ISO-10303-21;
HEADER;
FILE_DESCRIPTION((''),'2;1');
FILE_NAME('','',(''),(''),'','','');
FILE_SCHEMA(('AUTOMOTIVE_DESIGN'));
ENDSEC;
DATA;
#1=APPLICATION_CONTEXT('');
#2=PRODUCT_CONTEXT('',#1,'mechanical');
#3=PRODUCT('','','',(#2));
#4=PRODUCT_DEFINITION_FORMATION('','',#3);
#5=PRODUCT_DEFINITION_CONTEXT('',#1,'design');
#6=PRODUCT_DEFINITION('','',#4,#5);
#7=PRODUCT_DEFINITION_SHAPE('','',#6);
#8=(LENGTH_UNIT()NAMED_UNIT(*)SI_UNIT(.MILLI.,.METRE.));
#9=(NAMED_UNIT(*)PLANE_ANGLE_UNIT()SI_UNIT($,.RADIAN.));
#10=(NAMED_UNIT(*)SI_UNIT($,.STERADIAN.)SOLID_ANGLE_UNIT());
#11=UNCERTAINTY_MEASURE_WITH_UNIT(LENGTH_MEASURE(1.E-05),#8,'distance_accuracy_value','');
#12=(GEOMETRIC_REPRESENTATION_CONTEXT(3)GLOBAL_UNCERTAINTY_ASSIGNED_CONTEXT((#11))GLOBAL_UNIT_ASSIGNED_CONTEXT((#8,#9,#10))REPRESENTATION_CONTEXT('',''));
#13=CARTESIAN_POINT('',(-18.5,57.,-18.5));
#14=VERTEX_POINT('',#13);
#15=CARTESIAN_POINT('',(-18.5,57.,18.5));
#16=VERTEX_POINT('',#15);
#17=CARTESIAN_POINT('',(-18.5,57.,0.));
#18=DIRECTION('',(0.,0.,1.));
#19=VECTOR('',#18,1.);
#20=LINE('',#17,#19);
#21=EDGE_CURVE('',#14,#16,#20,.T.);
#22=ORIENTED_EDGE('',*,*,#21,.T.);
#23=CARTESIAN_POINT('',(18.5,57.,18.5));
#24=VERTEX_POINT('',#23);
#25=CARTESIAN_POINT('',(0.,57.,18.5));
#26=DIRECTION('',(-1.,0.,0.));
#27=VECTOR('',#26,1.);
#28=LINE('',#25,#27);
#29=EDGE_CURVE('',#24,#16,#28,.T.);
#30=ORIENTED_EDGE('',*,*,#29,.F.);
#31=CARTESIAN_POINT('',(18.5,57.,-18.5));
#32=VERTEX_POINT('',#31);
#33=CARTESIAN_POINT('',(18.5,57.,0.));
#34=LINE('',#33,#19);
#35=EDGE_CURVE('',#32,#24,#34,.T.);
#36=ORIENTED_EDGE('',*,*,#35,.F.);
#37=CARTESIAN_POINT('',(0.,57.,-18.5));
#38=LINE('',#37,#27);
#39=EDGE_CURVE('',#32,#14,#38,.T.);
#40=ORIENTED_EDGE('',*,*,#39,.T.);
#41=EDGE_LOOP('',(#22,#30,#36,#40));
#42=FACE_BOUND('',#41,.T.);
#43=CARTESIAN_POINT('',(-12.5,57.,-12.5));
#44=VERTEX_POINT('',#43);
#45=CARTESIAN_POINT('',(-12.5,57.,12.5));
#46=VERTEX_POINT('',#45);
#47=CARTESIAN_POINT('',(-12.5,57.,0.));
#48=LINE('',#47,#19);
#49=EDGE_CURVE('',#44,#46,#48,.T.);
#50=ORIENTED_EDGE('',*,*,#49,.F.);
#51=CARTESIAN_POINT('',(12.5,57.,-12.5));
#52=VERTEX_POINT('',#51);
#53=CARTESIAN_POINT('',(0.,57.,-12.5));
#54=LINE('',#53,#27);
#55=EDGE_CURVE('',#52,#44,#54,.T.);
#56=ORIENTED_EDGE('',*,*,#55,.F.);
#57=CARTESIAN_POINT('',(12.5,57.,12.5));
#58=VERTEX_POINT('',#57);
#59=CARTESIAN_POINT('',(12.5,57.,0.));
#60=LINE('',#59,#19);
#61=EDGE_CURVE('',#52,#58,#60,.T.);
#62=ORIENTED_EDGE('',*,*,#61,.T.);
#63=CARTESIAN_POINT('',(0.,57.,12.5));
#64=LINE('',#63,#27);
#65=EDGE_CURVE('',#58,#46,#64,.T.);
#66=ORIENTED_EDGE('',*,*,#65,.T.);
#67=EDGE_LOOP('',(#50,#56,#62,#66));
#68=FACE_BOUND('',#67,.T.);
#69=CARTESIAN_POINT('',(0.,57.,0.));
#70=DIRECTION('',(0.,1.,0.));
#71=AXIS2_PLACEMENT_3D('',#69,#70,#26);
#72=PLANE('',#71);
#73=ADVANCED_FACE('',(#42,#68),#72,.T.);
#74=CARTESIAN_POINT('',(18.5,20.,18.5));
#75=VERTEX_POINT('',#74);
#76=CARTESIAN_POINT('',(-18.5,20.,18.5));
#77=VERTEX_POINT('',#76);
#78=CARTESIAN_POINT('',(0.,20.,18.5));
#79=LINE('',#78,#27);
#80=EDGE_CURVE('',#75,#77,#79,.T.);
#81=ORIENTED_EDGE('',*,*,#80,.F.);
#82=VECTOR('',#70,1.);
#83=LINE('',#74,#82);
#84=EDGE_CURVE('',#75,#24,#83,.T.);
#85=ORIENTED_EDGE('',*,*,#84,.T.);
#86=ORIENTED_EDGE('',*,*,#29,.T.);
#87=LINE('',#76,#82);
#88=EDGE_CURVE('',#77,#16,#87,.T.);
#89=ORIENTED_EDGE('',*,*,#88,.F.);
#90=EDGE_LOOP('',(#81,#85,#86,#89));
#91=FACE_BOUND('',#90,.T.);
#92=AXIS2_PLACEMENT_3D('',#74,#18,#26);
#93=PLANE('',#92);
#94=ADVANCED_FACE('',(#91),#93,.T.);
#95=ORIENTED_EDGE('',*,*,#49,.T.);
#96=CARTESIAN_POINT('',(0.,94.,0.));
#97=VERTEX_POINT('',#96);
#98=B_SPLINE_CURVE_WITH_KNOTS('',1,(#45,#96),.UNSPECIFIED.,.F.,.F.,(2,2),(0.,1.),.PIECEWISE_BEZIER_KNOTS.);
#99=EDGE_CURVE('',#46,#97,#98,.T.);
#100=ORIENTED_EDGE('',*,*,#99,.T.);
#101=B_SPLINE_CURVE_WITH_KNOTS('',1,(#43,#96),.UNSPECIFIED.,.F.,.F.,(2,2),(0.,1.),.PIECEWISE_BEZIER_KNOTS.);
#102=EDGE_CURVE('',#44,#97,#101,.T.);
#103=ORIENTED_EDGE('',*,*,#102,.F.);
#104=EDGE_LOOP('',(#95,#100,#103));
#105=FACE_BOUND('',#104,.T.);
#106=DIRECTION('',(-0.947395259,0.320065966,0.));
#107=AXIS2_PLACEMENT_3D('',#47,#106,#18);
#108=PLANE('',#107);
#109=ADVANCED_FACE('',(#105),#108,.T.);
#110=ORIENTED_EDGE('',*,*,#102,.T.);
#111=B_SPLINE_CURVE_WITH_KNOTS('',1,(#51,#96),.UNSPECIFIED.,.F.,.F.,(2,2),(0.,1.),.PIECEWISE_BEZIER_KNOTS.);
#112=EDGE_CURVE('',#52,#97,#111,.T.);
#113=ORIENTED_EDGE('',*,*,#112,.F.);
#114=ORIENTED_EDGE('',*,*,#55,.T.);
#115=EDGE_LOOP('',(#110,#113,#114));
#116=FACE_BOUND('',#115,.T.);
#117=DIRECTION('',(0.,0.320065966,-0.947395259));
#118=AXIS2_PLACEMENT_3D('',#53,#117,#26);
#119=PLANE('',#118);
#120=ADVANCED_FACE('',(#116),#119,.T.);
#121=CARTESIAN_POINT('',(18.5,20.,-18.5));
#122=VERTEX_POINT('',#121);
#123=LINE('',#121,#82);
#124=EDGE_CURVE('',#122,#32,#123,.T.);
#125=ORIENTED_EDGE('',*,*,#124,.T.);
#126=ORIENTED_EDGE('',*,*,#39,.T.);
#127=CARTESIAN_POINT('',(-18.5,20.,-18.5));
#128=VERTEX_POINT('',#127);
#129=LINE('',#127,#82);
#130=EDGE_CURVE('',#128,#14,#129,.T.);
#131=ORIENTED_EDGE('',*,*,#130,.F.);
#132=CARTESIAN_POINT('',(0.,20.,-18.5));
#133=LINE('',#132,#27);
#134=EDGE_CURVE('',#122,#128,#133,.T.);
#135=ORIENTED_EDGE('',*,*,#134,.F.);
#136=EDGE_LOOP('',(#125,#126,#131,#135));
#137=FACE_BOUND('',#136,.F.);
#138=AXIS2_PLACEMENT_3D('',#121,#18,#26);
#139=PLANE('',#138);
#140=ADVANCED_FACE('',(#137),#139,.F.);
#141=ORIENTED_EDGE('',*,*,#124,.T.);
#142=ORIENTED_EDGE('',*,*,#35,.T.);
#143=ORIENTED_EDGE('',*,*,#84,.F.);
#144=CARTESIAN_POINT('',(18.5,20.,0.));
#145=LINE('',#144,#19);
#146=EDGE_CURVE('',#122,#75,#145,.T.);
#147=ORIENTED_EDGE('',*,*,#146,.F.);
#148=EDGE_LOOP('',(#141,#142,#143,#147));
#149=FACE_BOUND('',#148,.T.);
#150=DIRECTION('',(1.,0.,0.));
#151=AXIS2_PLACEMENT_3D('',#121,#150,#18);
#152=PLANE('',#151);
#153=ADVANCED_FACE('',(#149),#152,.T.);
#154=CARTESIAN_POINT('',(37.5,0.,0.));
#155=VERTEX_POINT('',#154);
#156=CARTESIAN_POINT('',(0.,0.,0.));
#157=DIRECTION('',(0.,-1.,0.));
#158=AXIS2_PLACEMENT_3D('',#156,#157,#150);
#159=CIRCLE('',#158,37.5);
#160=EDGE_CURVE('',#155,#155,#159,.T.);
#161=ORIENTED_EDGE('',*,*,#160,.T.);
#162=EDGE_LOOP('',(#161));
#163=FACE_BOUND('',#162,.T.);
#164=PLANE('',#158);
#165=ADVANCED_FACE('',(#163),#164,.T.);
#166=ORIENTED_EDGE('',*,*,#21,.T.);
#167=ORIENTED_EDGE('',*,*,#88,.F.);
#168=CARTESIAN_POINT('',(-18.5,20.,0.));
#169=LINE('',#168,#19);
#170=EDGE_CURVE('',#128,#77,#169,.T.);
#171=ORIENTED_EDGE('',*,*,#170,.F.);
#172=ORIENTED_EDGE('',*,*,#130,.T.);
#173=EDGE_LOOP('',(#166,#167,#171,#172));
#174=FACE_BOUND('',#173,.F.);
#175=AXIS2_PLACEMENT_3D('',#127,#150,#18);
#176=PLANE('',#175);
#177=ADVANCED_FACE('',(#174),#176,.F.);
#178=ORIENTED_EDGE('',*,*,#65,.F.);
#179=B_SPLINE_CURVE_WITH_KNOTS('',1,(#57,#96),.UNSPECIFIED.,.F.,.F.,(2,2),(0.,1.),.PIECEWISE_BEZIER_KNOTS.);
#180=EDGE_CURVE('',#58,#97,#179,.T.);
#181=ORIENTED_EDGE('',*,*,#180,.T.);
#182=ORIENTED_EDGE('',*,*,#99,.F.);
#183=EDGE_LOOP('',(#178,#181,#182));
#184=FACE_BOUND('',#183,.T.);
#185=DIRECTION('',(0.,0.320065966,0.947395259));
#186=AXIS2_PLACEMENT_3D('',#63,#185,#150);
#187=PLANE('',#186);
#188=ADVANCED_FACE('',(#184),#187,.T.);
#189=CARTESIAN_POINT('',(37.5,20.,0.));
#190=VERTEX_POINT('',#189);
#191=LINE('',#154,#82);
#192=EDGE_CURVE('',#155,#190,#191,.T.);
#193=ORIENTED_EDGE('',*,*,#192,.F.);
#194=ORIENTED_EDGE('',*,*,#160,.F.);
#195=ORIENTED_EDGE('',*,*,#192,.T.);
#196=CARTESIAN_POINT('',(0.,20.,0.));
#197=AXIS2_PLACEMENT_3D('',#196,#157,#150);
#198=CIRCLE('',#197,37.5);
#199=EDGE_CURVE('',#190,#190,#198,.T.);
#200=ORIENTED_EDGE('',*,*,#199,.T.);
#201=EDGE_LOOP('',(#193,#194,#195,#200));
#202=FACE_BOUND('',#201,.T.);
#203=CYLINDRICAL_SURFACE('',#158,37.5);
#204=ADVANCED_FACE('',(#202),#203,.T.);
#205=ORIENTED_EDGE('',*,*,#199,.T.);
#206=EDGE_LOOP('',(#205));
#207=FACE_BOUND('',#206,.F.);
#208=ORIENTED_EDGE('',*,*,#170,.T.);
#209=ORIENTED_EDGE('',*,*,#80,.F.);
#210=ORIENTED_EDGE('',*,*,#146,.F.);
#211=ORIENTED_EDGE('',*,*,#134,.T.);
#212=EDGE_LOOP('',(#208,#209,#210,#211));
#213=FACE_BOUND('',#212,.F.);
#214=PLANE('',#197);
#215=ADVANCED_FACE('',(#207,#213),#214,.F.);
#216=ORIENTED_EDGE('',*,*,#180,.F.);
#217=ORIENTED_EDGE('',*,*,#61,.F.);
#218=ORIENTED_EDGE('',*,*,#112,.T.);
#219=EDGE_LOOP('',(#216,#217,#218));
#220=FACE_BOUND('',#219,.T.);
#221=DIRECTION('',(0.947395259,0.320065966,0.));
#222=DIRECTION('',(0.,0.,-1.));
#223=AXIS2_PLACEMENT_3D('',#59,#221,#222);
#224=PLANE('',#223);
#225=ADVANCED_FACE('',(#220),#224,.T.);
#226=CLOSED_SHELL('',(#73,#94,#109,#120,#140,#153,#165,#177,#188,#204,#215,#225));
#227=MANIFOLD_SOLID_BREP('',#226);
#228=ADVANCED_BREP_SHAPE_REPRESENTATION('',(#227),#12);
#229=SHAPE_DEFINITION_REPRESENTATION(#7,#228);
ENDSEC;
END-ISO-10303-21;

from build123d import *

# Parameters (mm, degrees)
F0_R     = 37.5
F1_DEPTH = 20
F2_W     = 37
F2_H     = 37
F3_DEPTH = 37
F4_W     = 25
F4_H     = 25


with BuildPart() as f1:
    # F0 (on Front) → F1 (new body)
    with BuildSketch(Plane.XZ):
        Circle(F0_R)
    extrude(amount=-F1_DEPTH)

    # F2 (on face) → F3 (join)
    with BuildSketch(Plane(origin=(0, 20, 0), x_dir=(-1, 0, 0), z_dir=(0, 1, 0))):
        Rectangle(F2_W, F2_H)
    extrude(amount=F3_DEPTH)

    # F4 (on face) → F8 section 0
    with BuildSketch(Plane(origin=(0, 57, 0), x_dir=(-1, 0, 0), z_dir=(0, 1, 0)), mode=Mode.PRIVATE) as f8_s0:
        Rectangle(F4_W, F4_H)
    loft([f8_s0.sketch, Vertex(0, 94, 0)])


solid = f1.part
